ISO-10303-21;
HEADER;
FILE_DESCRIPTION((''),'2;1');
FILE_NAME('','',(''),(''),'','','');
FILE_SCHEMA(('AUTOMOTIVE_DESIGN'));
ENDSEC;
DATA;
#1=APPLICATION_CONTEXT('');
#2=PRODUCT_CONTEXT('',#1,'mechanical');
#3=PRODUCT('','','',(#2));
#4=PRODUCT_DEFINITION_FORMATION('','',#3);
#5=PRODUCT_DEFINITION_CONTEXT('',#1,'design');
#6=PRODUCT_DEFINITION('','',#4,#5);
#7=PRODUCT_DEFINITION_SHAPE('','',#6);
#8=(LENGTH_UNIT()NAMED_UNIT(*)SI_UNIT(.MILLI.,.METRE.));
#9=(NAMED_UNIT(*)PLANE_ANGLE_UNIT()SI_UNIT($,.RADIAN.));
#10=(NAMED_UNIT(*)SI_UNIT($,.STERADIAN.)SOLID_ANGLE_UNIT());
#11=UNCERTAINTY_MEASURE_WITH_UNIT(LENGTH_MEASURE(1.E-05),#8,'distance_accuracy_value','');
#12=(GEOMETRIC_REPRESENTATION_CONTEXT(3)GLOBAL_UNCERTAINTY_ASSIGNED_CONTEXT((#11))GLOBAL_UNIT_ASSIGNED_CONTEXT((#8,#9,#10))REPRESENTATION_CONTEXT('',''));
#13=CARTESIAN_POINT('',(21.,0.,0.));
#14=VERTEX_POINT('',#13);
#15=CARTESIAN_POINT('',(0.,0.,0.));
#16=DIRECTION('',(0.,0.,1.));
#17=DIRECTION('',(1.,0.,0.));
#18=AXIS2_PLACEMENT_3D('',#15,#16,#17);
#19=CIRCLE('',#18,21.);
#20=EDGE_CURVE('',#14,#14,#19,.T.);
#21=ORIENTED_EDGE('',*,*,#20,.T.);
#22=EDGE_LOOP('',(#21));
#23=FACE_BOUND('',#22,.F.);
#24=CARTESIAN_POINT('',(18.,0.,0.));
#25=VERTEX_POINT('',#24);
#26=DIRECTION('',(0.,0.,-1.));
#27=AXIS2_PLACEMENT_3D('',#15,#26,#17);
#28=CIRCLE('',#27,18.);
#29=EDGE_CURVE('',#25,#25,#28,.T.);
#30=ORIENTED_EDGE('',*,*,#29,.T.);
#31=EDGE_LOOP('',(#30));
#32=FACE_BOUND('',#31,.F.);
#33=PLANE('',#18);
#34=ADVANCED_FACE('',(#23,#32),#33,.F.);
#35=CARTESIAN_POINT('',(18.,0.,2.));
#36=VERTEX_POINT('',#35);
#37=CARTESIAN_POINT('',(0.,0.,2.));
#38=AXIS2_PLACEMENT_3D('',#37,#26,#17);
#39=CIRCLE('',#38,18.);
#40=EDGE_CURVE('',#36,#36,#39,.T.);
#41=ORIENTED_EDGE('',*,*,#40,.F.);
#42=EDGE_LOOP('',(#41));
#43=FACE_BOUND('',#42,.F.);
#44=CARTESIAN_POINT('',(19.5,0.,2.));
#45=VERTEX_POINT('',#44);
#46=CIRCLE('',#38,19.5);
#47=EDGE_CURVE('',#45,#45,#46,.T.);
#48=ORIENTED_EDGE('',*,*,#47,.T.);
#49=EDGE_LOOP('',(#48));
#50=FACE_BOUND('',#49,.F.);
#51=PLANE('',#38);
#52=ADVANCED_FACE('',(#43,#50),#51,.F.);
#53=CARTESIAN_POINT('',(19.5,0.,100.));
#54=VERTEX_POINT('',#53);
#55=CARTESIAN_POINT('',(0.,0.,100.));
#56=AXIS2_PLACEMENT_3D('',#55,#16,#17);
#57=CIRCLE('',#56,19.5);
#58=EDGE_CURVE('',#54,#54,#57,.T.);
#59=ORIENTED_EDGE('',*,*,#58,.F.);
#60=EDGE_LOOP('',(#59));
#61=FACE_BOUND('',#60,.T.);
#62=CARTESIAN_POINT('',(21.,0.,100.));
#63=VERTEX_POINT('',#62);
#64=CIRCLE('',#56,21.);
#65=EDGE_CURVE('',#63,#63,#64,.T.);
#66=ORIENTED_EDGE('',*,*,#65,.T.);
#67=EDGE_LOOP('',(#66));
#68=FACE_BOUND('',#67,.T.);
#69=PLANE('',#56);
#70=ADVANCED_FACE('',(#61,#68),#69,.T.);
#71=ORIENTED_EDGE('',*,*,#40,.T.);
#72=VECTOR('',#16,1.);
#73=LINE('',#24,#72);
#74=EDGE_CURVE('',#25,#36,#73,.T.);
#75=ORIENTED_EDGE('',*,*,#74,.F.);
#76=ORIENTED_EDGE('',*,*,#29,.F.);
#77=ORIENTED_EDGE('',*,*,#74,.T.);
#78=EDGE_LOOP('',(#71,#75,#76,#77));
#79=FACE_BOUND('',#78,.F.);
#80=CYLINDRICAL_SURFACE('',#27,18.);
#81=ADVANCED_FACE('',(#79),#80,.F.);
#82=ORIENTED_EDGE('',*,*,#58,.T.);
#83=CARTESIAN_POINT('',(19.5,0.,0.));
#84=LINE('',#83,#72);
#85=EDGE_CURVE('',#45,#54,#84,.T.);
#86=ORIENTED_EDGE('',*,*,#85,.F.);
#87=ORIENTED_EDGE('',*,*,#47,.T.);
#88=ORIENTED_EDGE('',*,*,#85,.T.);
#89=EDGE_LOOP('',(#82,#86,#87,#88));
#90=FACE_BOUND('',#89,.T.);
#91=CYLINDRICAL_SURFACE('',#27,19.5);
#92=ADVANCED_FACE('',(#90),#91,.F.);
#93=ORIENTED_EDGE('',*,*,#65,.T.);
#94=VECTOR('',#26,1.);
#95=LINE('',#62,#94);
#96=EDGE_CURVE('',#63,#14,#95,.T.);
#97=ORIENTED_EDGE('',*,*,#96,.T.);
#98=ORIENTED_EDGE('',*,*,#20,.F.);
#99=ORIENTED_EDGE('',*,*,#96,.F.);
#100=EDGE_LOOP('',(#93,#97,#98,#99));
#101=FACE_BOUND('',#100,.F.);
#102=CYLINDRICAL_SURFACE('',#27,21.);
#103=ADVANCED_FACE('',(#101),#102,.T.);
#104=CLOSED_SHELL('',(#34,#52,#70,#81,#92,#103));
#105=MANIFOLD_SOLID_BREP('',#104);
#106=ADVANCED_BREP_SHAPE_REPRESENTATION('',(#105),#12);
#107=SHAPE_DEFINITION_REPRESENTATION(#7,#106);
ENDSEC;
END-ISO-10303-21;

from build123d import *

# Parameters (mm, degrees)
F0_R     = 21
F0_R_2   = 19.5
F1_DEPTH = 100
F3_R     = 21
F3_R_2   = 18
F4_DEPTH = 2


with BuildPart() as f1:
    # F0 (on Top) → F1 (new body)
    with BuildSketch(Plane.XY):
        Circle(F0_R)
        Circle(F0_R_2, mode=Mode.SUBTRACT)
    extrude(amount=F1_DEPTH)

    # F3 (on face) → F4 (join)
    with BuildSketch(Plane(origin=(0, 0, 0), x_dir=(1, 0, 0), z_dir=(0, 0, -1))):
        Circle(F3_R)
        Circle(F3_R_2, mode=Mode.SUBTRACT)
    extrude(amount=-F4_DEPTH)


solid = f1.part
